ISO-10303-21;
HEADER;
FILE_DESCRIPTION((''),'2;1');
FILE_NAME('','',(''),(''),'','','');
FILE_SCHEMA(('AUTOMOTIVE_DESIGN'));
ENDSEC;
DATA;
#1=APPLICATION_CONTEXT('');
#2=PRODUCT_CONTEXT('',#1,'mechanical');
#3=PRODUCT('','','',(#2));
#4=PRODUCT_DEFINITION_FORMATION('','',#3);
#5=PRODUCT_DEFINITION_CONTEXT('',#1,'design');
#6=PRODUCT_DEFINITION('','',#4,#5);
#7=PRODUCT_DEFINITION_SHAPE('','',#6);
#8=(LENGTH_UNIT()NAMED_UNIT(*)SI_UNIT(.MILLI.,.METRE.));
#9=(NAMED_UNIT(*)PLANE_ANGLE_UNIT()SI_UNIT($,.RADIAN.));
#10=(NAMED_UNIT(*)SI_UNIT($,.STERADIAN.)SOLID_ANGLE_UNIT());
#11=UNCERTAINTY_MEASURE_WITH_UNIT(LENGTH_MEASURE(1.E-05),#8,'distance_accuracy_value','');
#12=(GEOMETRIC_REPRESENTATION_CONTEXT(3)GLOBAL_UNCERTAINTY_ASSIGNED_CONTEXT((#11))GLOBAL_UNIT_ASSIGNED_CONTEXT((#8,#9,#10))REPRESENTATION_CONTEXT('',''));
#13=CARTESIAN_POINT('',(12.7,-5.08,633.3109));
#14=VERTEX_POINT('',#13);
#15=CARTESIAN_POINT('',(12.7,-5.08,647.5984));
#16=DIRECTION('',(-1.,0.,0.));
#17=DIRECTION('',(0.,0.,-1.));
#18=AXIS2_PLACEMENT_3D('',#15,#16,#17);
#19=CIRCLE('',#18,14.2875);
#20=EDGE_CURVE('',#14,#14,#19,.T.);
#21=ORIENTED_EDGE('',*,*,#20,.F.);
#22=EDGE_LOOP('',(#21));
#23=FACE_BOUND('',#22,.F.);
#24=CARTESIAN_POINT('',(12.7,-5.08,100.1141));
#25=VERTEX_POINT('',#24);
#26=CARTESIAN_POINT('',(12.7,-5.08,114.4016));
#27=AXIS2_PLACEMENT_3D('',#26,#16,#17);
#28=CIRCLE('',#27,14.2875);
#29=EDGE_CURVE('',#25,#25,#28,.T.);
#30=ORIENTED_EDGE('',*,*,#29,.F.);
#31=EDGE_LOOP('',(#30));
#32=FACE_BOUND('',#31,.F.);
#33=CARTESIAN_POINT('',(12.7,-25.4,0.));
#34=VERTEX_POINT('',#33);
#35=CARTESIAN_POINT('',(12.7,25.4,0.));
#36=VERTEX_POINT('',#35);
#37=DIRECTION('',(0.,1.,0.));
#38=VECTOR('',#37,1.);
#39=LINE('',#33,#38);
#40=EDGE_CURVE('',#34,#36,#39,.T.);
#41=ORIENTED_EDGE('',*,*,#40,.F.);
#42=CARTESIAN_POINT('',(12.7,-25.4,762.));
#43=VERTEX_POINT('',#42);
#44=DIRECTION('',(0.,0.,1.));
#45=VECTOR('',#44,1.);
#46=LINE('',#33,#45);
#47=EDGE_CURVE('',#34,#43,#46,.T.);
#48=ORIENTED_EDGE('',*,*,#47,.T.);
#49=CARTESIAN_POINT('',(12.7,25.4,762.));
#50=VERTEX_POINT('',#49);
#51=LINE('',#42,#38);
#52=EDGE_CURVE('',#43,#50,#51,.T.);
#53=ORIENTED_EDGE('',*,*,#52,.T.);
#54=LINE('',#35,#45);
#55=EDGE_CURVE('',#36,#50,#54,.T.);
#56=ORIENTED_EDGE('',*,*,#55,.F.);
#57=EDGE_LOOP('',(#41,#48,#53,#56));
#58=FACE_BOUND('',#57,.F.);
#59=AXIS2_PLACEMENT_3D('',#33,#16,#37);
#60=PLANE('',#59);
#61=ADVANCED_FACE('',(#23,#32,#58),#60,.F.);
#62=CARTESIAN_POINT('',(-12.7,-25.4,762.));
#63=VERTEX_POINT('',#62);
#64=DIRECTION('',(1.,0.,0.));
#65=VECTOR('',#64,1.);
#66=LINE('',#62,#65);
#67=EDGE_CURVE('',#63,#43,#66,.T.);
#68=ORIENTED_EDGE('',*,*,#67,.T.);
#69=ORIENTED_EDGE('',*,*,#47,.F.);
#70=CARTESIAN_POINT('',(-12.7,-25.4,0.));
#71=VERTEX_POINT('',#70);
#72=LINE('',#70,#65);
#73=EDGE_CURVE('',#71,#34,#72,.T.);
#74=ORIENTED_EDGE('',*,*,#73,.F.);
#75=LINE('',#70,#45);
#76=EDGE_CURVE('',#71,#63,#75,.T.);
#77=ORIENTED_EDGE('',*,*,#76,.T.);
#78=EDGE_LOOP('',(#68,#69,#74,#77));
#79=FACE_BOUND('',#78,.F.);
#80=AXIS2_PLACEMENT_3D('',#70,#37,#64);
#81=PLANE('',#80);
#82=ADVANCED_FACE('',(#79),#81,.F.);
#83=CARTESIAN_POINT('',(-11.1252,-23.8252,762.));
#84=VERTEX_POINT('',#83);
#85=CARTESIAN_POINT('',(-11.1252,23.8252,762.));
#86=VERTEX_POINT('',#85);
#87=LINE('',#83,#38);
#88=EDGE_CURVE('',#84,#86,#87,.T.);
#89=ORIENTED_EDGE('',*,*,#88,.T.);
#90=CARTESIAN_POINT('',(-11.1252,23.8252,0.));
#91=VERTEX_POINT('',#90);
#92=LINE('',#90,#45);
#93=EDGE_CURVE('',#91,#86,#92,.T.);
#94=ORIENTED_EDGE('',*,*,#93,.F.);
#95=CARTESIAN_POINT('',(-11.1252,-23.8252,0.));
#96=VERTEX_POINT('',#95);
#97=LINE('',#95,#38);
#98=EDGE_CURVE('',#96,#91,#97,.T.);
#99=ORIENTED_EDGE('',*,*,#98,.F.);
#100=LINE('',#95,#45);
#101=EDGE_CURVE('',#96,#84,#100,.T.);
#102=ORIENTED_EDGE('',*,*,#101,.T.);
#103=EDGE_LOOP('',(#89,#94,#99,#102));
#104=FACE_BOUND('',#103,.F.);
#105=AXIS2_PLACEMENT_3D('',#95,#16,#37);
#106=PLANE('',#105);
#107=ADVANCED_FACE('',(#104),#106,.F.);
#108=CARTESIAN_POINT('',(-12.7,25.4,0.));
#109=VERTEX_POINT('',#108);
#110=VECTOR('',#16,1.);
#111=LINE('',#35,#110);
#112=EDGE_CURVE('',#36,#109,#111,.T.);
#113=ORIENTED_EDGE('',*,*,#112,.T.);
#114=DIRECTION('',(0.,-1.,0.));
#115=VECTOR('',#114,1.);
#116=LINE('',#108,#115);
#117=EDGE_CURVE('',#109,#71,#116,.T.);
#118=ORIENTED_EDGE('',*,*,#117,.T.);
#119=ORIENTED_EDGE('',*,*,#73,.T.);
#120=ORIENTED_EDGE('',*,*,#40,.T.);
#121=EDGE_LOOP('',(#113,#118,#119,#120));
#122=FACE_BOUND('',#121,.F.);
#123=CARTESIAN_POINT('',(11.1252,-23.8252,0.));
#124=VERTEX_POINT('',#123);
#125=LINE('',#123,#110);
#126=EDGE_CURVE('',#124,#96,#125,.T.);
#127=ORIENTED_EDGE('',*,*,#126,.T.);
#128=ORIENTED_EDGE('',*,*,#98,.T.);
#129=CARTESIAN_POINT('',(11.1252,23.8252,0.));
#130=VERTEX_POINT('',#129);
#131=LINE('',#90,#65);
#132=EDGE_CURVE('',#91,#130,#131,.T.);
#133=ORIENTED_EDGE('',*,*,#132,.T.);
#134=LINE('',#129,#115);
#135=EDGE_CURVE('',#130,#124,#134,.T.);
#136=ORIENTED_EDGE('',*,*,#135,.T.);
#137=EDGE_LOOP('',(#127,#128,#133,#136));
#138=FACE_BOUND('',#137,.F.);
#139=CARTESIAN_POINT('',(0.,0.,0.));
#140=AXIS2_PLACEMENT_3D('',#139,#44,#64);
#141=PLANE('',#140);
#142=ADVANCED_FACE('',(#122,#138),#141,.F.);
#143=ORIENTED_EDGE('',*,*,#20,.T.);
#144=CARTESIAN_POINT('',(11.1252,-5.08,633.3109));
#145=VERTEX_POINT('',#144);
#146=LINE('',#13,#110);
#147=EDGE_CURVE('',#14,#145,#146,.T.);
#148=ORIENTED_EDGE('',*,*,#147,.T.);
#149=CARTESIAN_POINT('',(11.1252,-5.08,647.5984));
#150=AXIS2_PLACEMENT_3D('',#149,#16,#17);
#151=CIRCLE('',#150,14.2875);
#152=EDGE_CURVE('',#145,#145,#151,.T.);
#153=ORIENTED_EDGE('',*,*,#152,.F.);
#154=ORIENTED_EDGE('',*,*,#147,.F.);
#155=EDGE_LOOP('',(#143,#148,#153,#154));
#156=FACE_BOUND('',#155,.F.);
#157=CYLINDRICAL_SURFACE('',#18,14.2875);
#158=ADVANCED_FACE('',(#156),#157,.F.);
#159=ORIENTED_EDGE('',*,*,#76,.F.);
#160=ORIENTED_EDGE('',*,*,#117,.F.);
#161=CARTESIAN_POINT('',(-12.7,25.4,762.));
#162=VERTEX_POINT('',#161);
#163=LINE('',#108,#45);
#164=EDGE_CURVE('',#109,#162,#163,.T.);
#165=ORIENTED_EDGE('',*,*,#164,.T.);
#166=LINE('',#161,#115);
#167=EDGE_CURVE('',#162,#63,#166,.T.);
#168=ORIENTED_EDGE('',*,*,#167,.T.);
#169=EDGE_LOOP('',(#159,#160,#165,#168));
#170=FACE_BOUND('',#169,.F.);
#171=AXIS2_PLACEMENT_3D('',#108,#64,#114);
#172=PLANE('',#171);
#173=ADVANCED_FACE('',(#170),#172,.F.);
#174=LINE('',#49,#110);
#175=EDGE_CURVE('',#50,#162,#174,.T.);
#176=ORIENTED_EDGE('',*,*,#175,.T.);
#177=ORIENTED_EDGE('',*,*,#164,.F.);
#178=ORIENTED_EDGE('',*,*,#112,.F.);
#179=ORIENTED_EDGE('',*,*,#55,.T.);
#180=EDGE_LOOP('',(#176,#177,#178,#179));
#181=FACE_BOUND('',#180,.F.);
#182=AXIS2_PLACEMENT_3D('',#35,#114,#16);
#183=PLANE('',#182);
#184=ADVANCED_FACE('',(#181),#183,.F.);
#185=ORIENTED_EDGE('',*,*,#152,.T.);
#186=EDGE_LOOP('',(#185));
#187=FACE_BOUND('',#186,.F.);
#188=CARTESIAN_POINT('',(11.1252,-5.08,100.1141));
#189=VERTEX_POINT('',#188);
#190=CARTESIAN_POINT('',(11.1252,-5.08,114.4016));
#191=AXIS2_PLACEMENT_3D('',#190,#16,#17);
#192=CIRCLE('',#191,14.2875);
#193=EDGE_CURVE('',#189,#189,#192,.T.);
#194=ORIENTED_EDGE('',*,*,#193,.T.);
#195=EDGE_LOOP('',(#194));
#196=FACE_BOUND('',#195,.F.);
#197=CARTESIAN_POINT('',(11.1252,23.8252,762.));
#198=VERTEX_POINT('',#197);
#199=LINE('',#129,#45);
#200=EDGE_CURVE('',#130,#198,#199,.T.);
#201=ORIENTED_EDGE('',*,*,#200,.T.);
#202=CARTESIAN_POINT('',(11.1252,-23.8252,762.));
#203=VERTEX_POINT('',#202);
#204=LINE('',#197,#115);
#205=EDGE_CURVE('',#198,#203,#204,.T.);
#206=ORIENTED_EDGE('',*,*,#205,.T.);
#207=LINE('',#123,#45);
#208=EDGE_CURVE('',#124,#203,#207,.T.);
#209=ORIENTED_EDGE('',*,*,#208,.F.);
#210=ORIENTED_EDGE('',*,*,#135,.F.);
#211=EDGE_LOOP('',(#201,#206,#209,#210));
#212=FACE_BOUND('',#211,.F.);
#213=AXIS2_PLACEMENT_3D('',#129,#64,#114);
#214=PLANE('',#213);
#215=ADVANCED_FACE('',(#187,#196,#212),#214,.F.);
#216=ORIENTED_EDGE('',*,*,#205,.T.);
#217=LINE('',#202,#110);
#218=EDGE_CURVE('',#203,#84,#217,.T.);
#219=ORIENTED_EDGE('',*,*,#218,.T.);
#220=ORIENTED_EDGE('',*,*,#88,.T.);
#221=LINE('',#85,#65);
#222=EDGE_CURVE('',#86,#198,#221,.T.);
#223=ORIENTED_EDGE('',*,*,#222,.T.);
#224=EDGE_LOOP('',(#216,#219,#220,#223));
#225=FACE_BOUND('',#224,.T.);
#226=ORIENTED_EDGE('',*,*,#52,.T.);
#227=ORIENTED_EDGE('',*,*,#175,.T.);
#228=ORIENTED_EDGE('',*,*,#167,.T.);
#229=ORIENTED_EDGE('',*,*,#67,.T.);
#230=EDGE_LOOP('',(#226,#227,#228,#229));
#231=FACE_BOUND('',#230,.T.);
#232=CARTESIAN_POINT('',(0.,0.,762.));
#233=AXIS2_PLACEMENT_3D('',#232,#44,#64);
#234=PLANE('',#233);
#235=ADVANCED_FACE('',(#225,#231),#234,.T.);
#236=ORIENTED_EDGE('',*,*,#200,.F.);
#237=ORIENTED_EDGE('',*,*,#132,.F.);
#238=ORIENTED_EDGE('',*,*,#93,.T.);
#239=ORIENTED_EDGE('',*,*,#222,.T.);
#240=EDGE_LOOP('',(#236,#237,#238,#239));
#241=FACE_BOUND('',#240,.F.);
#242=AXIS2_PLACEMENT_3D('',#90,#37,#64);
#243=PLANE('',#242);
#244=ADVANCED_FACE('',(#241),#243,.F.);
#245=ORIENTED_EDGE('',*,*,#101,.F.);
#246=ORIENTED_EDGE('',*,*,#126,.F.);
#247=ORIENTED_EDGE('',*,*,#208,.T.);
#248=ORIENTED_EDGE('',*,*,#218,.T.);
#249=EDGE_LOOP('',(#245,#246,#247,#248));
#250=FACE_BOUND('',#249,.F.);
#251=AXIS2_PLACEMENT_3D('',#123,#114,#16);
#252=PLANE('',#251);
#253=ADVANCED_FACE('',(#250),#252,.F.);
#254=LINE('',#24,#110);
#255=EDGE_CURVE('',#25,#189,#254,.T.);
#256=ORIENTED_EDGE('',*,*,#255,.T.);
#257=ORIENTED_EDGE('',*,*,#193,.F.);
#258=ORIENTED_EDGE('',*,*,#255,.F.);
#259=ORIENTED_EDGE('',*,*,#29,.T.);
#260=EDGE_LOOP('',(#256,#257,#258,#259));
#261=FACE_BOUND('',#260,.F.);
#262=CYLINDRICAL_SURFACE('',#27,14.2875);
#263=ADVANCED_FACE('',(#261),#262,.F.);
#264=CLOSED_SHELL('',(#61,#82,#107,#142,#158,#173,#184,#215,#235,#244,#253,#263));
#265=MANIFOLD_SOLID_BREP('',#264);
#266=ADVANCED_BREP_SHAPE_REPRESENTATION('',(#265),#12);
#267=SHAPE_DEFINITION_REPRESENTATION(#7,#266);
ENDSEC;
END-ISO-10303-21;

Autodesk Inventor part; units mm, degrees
ref_plane "YZ Plane" through (0, 0, 0) normal (1, 0, 0) x (0, 1, 0)
ref_plane "XZ Plane" through (0, 0, 0) normal (0, 1, 0) x (-1, 0, 0)
ref_plane "XY Plane" through (0, 0, 0) normal (0, 0, 1) x (1, 0, 0)
sketch "Sketch1" plane through (0, 0, 0) normal (0, 0, 1) x (1, 0, 0)
  line L0 (-12.7, -25.4) -> (12.7, -25.4)
  line L1 (12.7, -25.4) -> (12.7, 25.4)
  line L2 (12.7, 25.4) -> (-12.7, 25.4)
  line L3 (-12.7, 25.4) -> (-12.7, -25.4)
  line L4 (-12.7, -25.4) -> (12.7, 25.4) construction
  line L5 (12.7, -25.4) -> (-12.7, 25.4) construction
  line L6 (-11.1252, 23.8252) -> (11.1252, 23.8252)
  line L7 (11.1252, 23.8252) -> (11.1252, -23.8252)
  line L8 (11.1252, -23.8252) -> (-11.1252, -23.8252)
  line L9 (-11.1252, -23.8252) -> (-11.1252, 23.8252)
  line L10 (-11.1252, 23.8252) -> (11.1252, -23.8252) construction
  line L11 (11.1252, 23.8252) -> (-11.1252, -23.8252) construction
  point P0 (0, 0)
  dimension "d0" = 25.4
  dimension "d1" = 50.8
  dimension "d2" = 22.2504
  dimension "d3" = 47.6504
extrude "Extrusion2" add sketch "Sketch1" along normal blind 762
hole "Hole1" at (12.7, -5.08, 114.4016) direction (-1, 0, 0) diameter 28.575 depth 5.08 tip angle 118
hole "Hole2" at (12.7, -5.08, 647.5984) direction (-1, 0, 0) diameter 28.575 depth 5.08 tip angle 118
properties part number "sides" material "Aluminum 6061"
